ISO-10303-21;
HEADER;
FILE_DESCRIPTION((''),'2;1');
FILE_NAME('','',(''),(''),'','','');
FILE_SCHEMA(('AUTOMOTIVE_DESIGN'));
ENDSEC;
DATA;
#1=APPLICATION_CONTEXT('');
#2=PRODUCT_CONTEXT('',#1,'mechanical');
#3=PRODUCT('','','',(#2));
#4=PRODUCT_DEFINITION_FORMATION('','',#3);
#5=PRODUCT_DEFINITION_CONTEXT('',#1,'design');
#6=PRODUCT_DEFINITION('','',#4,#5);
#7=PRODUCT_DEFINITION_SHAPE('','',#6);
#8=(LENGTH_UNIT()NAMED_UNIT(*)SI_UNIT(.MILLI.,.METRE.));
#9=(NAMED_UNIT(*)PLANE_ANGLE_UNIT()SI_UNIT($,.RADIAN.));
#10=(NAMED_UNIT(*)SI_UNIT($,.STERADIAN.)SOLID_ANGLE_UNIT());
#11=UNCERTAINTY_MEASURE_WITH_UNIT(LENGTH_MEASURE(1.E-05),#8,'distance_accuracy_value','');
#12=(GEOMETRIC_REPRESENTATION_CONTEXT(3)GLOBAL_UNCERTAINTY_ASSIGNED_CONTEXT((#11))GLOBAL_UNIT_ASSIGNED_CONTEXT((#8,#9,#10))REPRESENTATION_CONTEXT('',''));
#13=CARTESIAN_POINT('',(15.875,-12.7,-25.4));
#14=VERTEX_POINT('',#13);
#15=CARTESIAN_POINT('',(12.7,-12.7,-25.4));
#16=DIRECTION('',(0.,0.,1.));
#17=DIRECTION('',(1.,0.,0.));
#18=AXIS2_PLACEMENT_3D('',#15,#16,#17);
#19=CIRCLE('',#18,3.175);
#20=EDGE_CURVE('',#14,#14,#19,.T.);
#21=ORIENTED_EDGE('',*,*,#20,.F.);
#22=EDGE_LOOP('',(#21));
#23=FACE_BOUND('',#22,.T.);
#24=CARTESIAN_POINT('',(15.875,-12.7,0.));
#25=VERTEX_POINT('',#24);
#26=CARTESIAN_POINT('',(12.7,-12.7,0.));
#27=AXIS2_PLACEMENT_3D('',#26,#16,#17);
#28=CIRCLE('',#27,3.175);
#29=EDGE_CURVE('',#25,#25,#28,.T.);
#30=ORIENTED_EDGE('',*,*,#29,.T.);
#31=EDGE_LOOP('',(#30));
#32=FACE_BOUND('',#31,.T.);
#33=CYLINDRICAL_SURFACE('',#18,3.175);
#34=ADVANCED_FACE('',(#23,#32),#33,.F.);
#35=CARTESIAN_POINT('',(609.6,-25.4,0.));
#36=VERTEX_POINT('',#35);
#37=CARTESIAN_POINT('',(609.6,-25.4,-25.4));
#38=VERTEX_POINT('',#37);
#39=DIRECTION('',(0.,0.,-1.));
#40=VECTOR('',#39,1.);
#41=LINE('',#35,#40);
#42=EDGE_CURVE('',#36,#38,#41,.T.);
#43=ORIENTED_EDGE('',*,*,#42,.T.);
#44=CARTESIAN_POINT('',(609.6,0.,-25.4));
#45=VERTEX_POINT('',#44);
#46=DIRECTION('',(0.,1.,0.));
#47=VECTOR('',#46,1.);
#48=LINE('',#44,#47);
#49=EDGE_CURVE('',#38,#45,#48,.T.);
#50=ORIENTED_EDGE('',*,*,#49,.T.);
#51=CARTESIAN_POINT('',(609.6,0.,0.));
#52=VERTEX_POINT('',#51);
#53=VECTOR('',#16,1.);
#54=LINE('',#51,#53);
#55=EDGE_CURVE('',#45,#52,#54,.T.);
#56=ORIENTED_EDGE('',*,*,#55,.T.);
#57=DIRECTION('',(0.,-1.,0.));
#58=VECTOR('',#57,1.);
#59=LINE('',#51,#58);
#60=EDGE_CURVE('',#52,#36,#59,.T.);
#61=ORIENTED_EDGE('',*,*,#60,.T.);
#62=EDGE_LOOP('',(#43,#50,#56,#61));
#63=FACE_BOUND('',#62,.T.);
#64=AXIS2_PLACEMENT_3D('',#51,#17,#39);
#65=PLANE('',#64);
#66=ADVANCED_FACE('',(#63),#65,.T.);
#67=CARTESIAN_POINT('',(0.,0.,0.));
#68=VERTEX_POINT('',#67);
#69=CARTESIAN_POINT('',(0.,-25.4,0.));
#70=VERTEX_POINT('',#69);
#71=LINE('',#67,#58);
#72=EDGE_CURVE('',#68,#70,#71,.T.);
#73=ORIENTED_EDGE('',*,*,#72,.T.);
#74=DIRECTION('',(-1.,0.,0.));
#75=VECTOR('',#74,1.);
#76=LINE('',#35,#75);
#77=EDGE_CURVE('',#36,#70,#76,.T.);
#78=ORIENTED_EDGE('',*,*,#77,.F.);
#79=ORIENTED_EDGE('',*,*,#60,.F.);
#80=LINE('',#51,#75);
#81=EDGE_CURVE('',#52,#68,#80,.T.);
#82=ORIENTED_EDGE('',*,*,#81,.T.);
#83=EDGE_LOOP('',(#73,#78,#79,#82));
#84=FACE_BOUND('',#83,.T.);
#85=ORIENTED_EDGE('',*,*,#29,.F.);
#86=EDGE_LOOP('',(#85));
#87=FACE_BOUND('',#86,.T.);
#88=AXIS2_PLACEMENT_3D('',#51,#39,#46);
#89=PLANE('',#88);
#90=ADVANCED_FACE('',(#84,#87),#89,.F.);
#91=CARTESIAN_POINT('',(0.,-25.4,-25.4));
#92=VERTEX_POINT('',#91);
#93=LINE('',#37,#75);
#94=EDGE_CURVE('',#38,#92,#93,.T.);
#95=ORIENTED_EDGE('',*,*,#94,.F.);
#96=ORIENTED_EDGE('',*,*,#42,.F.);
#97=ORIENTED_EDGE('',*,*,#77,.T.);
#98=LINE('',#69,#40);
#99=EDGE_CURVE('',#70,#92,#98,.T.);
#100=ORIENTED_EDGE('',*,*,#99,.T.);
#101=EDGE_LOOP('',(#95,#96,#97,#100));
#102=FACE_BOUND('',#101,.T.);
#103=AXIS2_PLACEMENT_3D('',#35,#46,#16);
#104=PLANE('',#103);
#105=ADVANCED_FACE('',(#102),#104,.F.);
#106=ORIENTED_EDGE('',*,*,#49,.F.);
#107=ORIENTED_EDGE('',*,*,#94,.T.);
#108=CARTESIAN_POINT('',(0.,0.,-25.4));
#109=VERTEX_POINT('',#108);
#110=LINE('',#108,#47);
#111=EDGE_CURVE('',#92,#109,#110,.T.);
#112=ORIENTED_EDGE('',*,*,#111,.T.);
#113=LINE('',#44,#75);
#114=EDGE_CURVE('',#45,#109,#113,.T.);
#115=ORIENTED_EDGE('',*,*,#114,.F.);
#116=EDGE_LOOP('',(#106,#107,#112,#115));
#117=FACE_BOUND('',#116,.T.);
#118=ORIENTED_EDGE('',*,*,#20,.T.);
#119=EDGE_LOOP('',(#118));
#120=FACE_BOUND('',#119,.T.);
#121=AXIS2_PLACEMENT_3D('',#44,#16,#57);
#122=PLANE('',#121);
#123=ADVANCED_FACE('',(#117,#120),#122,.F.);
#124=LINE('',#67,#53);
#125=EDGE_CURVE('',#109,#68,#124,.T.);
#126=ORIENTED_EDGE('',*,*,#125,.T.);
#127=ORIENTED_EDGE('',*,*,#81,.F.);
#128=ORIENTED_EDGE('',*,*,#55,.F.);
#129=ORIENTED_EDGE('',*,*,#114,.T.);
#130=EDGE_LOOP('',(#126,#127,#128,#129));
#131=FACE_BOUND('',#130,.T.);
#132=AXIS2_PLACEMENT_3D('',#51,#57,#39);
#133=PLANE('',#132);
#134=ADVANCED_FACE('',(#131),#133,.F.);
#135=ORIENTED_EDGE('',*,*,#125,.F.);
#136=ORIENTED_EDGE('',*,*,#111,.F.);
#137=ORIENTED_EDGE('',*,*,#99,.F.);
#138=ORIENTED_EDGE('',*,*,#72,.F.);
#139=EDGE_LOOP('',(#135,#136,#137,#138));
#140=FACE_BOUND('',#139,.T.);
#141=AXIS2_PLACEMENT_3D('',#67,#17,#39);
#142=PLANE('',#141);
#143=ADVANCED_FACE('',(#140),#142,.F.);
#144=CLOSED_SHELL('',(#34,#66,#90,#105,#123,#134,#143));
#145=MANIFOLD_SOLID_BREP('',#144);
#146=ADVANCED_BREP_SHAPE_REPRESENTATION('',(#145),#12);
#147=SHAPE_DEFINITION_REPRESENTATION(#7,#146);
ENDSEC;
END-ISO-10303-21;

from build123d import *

# Parameters (mm, degrees)
SKETCH1_W           = 25.4
SKETCH1_H           = 25.4
BOSS_EXTRUDE1_DEPTH = 609.6
SKETCH5_R           = 3.175
CUT_EXTRUDE1_DEPTH  = 611.657416233


with BuildPart() as part:
    # Sketch1 → Boss-Extrude1 (new body)
    with BuildSketch(Plane(origin=(0, 0, 0), x_dir=(0, 0, -1), z_dir=(1, 0, 0))):
        with Locations((12.7, -12.7)):
            Rectangle(SKETCH1_W, SKETCH1_H)
    extrude(amount=BOSS_EXTRUDE1_DEPTH)

    # Sketch5 → Cut-Extrude1 (cut, through all)
    with BuildSketch(Plane.XY):
        with Locations((12.7, -12.7)):
            Circle(SKETCH5_R)
    extrude(amount=-CUT_EXTRUDE1_DEPTH, mode=Mode.SUBTRACT)


solid = part.part
